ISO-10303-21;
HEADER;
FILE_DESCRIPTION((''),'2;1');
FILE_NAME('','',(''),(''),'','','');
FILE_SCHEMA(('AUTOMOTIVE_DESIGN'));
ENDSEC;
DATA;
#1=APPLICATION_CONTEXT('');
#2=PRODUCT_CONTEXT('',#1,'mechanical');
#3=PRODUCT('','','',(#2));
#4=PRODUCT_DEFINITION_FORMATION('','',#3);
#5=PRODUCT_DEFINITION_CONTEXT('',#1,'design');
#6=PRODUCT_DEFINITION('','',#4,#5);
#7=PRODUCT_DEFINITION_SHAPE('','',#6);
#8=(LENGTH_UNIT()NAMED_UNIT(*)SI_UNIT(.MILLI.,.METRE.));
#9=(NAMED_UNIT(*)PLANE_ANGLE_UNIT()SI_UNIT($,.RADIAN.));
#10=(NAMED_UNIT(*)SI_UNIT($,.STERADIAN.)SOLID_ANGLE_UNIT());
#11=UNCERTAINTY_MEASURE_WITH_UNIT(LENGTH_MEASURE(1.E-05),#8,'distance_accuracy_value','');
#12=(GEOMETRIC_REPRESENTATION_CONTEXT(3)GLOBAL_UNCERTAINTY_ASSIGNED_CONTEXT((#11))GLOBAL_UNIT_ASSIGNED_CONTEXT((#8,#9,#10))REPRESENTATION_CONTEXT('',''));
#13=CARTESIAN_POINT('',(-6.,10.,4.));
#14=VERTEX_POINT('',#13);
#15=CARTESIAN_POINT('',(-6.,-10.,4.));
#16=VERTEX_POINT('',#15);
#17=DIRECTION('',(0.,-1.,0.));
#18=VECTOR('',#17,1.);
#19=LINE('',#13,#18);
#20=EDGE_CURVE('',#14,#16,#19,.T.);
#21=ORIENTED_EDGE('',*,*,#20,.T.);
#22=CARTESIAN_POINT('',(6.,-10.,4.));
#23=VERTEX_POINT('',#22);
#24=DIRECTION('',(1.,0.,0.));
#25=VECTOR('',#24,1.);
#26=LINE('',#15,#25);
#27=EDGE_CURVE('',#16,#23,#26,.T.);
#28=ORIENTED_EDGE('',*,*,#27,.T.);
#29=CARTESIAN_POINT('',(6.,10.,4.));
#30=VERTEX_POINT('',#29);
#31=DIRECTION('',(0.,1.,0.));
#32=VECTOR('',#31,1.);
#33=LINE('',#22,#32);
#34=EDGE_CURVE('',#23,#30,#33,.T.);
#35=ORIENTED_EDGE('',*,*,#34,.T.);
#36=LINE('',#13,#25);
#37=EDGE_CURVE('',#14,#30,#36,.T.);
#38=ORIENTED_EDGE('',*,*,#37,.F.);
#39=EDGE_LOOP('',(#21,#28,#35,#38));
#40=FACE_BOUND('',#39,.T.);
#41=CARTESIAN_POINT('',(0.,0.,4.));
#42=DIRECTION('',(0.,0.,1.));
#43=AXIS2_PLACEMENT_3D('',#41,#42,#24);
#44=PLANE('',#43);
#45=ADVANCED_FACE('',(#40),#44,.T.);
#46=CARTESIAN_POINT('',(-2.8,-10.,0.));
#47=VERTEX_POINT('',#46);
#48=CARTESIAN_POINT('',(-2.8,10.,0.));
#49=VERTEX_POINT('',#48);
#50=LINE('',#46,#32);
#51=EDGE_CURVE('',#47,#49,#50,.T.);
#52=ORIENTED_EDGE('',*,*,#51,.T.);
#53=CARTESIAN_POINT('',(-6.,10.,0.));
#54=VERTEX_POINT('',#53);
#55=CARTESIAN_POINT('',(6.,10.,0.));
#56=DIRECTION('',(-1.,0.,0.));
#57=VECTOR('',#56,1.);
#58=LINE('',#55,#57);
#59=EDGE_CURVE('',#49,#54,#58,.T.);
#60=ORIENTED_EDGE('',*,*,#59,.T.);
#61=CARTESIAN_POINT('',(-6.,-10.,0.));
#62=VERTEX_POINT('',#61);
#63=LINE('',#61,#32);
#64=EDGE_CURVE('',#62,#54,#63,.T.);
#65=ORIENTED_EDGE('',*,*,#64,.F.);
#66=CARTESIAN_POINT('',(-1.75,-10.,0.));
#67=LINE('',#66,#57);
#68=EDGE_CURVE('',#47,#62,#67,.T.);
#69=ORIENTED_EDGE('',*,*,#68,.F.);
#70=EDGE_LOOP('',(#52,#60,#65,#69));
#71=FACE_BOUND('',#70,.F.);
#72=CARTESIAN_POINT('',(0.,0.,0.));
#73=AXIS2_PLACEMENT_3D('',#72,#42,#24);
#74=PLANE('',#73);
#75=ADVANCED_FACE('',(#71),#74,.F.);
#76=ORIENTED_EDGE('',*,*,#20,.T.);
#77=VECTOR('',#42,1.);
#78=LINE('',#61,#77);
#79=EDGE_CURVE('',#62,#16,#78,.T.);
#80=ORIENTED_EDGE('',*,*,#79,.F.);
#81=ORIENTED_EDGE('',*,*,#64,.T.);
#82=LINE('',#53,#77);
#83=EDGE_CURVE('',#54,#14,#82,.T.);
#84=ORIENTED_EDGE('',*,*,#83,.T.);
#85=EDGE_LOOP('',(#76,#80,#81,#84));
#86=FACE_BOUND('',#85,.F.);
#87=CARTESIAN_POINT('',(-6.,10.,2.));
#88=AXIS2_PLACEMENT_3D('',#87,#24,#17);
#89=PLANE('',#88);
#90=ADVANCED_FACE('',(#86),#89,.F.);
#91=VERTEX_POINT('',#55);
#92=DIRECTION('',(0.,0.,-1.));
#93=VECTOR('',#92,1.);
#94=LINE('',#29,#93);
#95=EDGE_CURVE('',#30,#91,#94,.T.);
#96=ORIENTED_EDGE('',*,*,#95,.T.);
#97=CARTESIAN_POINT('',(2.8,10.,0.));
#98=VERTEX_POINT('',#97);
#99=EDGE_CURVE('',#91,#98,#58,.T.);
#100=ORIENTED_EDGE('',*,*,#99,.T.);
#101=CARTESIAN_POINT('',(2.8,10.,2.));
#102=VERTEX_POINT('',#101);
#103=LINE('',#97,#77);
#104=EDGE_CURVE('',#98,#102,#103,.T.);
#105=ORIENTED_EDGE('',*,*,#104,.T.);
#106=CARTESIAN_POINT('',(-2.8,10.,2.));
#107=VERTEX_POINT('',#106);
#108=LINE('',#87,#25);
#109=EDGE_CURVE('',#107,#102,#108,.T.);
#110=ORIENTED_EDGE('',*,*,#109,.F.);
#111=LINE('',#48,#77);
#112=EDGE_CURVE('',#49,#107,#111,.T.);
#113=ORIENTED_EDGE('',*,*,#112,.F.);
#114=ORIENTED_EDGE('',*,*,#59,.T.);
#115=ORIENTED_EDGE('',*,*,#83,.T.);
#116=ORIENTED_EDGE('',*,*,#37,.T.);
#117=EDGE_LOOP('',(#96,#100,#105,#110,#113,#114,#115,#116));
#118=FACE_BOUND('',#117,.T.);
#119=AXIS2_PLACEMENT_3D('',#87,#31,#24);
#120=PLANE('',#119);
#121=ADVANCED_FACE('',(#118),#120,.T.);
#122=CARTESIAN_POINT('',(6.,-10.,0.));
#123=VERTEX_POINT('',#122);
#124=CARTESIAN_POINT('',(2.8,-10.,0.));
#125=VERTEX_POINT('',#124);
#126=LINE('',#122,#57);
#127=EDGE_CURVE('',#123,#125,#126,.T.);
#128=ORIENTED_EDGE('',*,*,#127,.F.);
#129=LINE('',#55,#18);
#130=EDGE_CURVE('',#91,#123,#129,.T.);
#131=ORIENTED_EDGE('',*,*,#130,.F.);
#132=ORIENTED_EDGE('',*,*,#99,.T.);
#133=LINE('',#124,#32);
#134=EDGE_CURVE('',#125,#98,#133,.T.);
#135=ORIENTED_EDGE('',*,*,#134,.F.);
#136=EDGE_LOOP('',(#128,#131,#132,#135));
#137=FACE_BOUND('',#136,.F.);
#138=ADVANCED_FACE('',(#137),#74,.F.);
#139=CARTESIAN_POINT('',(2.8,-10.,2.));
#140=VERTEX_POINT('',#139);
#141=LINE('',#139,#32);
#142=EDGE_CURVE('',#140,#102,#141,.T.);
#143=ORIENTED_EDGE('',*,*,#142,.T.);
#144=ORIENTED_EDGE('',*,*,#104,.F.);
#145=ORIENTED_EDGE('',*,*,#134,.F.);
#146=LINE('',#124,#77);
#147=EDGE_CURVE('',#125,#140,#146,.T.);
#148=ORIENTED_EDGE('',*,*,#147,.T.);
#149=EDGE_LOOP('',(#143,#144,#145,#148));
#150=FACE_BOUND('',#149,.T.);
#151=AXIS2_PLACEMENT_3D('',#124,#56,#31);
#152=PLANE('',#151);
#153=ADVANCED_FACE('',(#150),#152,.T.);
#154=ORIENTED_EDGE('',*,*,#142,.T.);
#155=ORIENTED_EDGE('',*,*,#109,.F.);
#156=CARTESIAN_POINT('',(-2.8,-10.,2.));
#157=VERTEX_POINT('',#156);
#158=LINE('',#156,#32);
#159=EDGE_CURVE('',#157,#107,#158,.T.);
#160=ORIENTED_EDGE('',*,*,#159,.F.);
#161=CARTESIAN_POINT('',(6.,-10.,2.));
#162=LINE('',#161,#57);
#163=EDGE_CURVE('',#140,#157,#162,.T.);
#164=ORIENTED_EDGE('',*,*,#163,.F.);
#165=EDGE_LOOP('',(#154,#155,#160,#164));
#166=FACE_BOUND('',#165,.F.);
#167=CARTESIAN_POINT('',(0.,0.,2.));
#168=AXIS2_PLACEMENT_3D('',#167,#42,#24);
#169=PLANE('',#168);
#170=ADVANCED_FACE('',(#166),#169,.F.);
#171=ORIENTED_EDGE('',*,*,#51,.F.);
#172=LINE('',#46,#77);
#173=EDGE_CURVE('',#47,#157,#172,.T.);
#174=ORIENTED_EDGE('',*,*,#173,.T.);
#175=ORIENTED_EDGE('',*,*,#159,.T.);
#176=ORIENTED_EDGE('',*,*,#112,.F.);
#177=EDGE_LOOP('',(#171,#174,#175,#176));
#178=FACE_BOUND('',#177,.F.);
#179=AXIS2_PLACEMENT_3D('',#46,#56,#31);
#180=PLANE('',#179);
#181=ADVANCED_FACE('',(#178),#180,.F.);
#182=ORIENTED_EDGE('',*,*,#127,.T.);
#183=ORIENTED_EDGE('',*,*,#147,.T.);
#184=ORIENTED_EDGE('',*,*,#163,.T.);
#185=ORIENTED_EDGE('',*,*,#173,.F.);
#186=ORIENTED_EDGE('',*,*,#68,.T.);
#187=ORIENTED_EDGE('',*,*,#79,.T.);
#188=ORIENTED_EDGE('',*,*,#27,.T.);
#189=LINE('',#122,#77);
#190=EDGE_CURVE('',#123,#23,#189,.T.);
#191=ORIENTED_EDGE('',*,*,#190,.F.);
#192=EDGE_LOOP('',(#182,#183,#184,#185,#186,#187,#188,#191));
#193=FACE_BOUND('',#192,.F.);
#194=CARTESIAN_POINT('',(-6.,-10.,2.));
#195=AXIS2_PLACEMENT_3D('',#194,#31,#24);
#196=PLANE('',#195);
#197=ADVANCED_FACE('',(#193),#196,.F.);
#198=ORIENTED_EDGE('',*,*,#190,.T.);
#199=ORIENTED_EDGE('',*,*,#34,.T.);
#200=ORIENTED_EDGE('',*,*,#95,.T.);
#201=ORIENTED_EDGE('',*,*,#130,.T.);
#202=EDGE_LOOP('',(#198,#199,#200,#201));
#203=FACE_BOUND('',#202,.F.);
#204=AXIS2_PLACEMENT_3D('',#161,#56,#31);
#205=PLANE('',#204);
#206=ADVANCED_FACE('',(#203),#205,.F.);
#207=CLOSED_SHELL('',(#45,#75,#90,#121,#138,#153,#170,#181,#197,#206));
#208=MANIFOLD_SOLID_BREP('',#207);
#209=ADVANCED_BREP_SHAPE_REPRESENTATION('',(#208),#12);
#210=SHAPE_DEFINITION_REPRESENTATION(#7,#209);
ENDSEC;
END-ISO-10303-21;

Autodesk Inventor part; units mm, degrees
ref_plane "YZ Plane" through (0, 0, 0) normal (1, 0, 0) x (0, 1, 0)
ref_plane "XZ Plane" through (0, 0, 0) normal (0, 1, 0) x (-1, 0, 0)
ref_plane "XY Plane" through (0, 0, 0) normal (0, 0, 1) x (1, 0, 0)
sketch "Sketch1" plane through (0, 0, 0) normal (0, 0, 1) x (1, 0, 0)
  line L0 (-1.75, -10) -> (1.75, -10) projected
  line L1 (6, 10) -> (-6, 10) projected
  line L2 (-6, -10) -> (-6, 10) projected
  line L3 (6, 10) -> (6, -10) projected
  line L4 (6, -10) -> (1.75, -10) projected
  line L5 (-1.75, -10) -> (-6, -10) projected
  line L6 (0, 10) -> (-2.8, 10)
  line L7 (0, 10) -> (2.8, 10)
  line L8 (0, -10) -> (-2.8, -10)
  line L9 (0, -10) -> (2.8, -10)
  line L10 (-2.8, -10) -> (-2.8, 10)
  line L11 (2.8, -10) -> (2.8, 10)
  line L12 (2.8, 10) -> (6, 10)
  line L13 (2.8, 10) -> (6, 10)
  line L14 (6, -10) -> (6, 10)
  line L15 (6, -10) -> (2.8, -10)
  line L16 (-2.8, -10) -> (-6, -10)
  line L17 (-6, -10) -> (-6, 10)
  line L18 (-2.8, 10) -> (-6, 10)
  point P0 (0, 0)
  dimension "d0" = 2.8
  dimension "d1" = 2.8
  dimension "d2" = 2.8
  dimension "d3" = 2.8
extrude "Extrusion1" add sketch "Sketch1" along normal blind 2 contours L5 L2 L1 L10 | L11 L1 L3 L4
sketch "Sketch2" plane through (0, 0, 2) normal (0, 0, 1) x (1, 0, 0)
  line L0 (-6, 10) -> (-6, -10) projected
  line L1 (-6, -10) -> (-2.8, -10) projected
  line L2 (6, 10) -> (2.8, 10) projected
  line L3 (-6, 10) -> (6, 10)
  line L4 (6, -10) -> (6, 10) projected
  line L5 (6, 10) -> (6, -10)
  line L6 (6, -10) -> (-6, -10)
  line L7 (-6, 10) -> (-6, -10)
  point P0 (0, 0)
extrude "Extrusion2" add sketch "Sketch2" along normal blind 2
equation "\"d0\" = d3"
equation "\"d1\" = d3"
equation "\"d2\" = d3"
properties part number "commutator_attachement_cable_cap"
